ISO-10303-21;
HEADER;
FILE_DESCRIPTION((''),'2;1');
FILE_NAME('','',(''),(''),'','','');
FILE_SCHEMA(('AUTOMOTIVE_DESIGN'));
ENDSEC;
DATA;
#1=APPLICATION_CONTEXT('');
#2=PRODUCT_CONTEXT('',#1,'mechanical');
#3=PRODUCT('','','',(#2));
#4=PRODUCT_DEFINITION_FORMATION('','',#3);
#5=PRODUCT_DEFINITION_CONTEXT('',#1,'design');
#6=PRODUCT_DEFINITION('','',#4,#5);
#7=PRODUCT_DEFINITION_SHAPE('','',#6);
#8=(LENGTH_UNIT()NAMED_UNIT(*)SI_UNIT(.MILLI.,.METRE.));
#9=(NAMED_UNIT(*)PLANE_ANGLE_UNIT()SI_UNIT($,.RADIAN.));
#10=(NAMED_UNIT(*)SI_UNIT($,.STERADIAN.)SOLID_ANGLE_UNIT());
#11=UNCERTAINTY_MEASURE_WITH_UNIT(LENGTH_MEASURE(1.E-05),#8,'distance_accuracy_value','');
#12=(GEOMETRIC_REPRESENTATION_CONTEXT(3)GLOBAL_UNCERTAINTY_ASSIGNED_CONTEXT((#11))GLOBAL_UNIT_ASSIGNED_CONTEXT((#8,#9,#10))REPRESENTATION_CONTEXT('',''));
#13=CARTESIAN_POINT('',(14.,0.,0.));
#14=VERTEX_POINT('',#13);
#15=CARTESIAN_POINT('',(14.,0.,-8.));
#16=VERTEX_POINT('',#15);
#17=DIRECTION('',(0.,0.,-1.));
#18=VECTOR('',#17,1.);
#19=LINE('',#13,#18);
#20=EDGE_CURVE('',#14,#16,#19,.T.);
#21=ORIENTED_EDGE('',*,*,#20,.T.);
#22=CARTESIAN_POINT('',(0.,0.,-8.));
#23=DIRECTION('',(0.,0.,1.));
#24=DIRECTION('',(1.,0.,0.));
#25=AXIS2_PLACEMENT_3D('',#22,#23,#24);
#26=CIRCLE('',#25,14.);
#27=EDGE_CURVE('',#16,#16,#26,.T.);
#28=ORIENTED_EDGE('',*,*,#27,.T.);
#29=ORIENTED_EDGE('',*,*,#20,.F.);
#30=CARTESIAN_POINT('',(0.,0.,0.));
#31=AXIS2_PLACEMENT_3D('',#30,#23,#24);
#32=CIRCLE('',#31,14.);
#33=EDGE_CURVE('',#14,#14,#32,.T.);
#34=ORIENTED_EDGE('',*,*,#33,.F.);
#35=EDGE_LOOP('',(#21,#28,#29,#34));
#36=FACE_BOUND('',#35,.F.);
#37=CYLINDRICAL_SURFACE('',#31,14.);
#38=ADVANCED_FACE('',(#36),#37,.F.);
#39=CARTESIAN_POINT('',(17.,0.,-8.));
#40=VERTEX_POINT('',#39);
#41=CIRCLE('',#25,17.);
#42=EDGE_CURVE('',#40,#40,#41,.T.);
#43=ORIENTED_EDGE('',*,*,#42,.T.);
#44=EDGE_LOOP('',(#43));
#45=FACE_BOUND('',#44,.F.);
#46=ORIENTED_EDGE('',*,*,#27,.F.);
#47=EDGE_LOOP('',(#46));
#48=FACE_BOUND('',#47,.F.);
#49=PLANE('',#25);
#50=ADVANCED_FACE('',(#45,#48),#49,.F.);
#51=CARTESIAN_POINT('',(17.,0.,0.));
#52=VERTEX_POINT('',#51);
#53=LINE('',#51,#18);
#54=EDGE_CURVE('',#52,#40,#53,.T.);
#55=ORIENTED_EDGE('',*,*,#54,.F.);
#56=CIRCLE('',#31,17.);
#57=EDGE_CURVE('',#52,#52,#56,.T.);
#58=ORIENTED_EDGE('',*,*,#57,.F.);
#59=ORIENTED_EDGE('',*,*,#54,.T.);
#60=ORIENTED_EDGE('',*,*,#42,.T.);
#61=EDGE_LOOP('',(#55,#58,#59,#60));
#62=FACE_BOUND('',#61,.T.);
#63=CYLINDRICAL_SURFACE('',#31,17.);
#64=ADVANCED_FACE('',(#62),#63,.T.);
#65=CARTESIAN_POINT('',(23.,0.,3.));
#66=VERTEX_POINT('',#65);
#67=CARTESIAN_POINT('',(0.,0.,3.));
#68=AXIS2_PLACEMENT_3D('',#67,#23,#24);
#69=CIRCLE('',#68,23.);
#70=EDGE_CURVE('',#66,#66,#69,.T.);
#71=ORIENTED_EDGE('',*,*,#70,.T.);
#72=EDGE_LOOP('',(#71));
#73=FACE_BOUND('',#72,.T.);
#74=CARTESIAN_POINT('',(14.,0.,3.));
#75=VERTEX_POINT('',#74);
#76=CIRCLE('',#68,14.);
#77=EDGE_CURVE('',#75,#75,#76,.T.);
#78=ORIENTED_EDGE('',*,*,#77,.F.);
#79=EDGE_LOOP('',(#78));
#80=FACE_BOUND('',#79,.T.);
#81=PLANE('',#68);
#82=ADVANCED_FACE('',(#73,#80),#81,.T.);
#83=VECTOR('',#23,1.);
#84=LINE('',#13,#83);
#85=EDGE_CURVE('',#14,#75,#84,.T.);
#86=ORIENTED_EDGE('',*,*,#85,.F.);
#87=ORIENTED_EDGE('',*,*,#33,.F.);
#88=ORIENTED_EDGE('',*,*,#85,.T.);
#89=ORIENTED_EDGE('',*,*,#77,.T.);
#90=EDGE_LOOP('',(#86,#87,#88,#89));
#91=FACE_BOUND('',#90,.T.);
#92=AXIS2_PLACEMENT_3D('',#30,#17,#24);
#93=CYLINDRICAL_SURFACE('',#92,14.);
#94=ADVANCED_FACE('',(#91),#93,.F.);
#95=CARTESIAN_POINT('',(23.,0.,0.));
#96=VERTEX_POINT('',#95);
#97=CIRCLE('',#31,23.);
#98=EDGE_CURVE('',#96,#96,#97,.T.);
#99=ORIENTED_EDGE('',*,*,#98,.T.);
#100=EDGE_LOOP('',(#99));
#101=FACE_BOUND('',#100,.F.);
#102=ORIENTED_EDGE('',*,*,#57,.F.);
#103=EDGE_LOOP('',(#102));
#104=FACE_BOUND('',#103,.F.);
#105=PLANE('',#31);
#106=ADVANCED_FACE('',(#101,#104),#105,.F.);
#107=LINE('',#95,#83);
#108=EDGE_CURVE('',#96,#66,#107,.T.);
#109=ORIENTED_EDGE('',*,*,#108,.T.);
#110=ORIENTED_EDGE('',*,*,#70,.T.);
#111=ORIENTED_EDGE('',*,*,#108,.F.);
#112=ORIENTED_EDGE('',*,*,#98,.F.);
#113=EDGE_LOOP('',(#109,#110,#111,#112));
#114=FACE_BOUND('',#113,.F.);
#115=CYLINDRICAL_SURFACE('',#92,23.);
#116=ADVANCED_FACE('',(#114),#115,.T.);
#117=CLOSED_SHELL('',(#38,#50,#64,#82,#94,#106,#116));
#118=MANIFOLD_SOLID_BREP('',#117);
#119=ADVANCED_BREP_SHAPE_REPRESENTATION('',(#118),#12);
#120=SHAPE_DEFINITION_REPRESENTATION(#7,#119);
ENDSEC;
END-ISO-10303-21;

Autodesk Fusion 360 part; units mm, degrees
sketch "Sketch1" plane through (0, 0, 0) normal (0, 0, 1) x (1, 0, 0)
  circle A0 centre (0, 0) radius 23
  circle A1 centre (0, 0) radius 14
  circle A2 centre (0, 0) radius 17
  dimension "d1" = 46
  dimension "d2" = 28
  dimension "d3" = 34
extrude "Extrude1" add sketch "Sketch1" along normal blind 3 contours A0 | A2
extrude "Extrude2" add sketch "Sketch1" against normal blind 8 contours A2
